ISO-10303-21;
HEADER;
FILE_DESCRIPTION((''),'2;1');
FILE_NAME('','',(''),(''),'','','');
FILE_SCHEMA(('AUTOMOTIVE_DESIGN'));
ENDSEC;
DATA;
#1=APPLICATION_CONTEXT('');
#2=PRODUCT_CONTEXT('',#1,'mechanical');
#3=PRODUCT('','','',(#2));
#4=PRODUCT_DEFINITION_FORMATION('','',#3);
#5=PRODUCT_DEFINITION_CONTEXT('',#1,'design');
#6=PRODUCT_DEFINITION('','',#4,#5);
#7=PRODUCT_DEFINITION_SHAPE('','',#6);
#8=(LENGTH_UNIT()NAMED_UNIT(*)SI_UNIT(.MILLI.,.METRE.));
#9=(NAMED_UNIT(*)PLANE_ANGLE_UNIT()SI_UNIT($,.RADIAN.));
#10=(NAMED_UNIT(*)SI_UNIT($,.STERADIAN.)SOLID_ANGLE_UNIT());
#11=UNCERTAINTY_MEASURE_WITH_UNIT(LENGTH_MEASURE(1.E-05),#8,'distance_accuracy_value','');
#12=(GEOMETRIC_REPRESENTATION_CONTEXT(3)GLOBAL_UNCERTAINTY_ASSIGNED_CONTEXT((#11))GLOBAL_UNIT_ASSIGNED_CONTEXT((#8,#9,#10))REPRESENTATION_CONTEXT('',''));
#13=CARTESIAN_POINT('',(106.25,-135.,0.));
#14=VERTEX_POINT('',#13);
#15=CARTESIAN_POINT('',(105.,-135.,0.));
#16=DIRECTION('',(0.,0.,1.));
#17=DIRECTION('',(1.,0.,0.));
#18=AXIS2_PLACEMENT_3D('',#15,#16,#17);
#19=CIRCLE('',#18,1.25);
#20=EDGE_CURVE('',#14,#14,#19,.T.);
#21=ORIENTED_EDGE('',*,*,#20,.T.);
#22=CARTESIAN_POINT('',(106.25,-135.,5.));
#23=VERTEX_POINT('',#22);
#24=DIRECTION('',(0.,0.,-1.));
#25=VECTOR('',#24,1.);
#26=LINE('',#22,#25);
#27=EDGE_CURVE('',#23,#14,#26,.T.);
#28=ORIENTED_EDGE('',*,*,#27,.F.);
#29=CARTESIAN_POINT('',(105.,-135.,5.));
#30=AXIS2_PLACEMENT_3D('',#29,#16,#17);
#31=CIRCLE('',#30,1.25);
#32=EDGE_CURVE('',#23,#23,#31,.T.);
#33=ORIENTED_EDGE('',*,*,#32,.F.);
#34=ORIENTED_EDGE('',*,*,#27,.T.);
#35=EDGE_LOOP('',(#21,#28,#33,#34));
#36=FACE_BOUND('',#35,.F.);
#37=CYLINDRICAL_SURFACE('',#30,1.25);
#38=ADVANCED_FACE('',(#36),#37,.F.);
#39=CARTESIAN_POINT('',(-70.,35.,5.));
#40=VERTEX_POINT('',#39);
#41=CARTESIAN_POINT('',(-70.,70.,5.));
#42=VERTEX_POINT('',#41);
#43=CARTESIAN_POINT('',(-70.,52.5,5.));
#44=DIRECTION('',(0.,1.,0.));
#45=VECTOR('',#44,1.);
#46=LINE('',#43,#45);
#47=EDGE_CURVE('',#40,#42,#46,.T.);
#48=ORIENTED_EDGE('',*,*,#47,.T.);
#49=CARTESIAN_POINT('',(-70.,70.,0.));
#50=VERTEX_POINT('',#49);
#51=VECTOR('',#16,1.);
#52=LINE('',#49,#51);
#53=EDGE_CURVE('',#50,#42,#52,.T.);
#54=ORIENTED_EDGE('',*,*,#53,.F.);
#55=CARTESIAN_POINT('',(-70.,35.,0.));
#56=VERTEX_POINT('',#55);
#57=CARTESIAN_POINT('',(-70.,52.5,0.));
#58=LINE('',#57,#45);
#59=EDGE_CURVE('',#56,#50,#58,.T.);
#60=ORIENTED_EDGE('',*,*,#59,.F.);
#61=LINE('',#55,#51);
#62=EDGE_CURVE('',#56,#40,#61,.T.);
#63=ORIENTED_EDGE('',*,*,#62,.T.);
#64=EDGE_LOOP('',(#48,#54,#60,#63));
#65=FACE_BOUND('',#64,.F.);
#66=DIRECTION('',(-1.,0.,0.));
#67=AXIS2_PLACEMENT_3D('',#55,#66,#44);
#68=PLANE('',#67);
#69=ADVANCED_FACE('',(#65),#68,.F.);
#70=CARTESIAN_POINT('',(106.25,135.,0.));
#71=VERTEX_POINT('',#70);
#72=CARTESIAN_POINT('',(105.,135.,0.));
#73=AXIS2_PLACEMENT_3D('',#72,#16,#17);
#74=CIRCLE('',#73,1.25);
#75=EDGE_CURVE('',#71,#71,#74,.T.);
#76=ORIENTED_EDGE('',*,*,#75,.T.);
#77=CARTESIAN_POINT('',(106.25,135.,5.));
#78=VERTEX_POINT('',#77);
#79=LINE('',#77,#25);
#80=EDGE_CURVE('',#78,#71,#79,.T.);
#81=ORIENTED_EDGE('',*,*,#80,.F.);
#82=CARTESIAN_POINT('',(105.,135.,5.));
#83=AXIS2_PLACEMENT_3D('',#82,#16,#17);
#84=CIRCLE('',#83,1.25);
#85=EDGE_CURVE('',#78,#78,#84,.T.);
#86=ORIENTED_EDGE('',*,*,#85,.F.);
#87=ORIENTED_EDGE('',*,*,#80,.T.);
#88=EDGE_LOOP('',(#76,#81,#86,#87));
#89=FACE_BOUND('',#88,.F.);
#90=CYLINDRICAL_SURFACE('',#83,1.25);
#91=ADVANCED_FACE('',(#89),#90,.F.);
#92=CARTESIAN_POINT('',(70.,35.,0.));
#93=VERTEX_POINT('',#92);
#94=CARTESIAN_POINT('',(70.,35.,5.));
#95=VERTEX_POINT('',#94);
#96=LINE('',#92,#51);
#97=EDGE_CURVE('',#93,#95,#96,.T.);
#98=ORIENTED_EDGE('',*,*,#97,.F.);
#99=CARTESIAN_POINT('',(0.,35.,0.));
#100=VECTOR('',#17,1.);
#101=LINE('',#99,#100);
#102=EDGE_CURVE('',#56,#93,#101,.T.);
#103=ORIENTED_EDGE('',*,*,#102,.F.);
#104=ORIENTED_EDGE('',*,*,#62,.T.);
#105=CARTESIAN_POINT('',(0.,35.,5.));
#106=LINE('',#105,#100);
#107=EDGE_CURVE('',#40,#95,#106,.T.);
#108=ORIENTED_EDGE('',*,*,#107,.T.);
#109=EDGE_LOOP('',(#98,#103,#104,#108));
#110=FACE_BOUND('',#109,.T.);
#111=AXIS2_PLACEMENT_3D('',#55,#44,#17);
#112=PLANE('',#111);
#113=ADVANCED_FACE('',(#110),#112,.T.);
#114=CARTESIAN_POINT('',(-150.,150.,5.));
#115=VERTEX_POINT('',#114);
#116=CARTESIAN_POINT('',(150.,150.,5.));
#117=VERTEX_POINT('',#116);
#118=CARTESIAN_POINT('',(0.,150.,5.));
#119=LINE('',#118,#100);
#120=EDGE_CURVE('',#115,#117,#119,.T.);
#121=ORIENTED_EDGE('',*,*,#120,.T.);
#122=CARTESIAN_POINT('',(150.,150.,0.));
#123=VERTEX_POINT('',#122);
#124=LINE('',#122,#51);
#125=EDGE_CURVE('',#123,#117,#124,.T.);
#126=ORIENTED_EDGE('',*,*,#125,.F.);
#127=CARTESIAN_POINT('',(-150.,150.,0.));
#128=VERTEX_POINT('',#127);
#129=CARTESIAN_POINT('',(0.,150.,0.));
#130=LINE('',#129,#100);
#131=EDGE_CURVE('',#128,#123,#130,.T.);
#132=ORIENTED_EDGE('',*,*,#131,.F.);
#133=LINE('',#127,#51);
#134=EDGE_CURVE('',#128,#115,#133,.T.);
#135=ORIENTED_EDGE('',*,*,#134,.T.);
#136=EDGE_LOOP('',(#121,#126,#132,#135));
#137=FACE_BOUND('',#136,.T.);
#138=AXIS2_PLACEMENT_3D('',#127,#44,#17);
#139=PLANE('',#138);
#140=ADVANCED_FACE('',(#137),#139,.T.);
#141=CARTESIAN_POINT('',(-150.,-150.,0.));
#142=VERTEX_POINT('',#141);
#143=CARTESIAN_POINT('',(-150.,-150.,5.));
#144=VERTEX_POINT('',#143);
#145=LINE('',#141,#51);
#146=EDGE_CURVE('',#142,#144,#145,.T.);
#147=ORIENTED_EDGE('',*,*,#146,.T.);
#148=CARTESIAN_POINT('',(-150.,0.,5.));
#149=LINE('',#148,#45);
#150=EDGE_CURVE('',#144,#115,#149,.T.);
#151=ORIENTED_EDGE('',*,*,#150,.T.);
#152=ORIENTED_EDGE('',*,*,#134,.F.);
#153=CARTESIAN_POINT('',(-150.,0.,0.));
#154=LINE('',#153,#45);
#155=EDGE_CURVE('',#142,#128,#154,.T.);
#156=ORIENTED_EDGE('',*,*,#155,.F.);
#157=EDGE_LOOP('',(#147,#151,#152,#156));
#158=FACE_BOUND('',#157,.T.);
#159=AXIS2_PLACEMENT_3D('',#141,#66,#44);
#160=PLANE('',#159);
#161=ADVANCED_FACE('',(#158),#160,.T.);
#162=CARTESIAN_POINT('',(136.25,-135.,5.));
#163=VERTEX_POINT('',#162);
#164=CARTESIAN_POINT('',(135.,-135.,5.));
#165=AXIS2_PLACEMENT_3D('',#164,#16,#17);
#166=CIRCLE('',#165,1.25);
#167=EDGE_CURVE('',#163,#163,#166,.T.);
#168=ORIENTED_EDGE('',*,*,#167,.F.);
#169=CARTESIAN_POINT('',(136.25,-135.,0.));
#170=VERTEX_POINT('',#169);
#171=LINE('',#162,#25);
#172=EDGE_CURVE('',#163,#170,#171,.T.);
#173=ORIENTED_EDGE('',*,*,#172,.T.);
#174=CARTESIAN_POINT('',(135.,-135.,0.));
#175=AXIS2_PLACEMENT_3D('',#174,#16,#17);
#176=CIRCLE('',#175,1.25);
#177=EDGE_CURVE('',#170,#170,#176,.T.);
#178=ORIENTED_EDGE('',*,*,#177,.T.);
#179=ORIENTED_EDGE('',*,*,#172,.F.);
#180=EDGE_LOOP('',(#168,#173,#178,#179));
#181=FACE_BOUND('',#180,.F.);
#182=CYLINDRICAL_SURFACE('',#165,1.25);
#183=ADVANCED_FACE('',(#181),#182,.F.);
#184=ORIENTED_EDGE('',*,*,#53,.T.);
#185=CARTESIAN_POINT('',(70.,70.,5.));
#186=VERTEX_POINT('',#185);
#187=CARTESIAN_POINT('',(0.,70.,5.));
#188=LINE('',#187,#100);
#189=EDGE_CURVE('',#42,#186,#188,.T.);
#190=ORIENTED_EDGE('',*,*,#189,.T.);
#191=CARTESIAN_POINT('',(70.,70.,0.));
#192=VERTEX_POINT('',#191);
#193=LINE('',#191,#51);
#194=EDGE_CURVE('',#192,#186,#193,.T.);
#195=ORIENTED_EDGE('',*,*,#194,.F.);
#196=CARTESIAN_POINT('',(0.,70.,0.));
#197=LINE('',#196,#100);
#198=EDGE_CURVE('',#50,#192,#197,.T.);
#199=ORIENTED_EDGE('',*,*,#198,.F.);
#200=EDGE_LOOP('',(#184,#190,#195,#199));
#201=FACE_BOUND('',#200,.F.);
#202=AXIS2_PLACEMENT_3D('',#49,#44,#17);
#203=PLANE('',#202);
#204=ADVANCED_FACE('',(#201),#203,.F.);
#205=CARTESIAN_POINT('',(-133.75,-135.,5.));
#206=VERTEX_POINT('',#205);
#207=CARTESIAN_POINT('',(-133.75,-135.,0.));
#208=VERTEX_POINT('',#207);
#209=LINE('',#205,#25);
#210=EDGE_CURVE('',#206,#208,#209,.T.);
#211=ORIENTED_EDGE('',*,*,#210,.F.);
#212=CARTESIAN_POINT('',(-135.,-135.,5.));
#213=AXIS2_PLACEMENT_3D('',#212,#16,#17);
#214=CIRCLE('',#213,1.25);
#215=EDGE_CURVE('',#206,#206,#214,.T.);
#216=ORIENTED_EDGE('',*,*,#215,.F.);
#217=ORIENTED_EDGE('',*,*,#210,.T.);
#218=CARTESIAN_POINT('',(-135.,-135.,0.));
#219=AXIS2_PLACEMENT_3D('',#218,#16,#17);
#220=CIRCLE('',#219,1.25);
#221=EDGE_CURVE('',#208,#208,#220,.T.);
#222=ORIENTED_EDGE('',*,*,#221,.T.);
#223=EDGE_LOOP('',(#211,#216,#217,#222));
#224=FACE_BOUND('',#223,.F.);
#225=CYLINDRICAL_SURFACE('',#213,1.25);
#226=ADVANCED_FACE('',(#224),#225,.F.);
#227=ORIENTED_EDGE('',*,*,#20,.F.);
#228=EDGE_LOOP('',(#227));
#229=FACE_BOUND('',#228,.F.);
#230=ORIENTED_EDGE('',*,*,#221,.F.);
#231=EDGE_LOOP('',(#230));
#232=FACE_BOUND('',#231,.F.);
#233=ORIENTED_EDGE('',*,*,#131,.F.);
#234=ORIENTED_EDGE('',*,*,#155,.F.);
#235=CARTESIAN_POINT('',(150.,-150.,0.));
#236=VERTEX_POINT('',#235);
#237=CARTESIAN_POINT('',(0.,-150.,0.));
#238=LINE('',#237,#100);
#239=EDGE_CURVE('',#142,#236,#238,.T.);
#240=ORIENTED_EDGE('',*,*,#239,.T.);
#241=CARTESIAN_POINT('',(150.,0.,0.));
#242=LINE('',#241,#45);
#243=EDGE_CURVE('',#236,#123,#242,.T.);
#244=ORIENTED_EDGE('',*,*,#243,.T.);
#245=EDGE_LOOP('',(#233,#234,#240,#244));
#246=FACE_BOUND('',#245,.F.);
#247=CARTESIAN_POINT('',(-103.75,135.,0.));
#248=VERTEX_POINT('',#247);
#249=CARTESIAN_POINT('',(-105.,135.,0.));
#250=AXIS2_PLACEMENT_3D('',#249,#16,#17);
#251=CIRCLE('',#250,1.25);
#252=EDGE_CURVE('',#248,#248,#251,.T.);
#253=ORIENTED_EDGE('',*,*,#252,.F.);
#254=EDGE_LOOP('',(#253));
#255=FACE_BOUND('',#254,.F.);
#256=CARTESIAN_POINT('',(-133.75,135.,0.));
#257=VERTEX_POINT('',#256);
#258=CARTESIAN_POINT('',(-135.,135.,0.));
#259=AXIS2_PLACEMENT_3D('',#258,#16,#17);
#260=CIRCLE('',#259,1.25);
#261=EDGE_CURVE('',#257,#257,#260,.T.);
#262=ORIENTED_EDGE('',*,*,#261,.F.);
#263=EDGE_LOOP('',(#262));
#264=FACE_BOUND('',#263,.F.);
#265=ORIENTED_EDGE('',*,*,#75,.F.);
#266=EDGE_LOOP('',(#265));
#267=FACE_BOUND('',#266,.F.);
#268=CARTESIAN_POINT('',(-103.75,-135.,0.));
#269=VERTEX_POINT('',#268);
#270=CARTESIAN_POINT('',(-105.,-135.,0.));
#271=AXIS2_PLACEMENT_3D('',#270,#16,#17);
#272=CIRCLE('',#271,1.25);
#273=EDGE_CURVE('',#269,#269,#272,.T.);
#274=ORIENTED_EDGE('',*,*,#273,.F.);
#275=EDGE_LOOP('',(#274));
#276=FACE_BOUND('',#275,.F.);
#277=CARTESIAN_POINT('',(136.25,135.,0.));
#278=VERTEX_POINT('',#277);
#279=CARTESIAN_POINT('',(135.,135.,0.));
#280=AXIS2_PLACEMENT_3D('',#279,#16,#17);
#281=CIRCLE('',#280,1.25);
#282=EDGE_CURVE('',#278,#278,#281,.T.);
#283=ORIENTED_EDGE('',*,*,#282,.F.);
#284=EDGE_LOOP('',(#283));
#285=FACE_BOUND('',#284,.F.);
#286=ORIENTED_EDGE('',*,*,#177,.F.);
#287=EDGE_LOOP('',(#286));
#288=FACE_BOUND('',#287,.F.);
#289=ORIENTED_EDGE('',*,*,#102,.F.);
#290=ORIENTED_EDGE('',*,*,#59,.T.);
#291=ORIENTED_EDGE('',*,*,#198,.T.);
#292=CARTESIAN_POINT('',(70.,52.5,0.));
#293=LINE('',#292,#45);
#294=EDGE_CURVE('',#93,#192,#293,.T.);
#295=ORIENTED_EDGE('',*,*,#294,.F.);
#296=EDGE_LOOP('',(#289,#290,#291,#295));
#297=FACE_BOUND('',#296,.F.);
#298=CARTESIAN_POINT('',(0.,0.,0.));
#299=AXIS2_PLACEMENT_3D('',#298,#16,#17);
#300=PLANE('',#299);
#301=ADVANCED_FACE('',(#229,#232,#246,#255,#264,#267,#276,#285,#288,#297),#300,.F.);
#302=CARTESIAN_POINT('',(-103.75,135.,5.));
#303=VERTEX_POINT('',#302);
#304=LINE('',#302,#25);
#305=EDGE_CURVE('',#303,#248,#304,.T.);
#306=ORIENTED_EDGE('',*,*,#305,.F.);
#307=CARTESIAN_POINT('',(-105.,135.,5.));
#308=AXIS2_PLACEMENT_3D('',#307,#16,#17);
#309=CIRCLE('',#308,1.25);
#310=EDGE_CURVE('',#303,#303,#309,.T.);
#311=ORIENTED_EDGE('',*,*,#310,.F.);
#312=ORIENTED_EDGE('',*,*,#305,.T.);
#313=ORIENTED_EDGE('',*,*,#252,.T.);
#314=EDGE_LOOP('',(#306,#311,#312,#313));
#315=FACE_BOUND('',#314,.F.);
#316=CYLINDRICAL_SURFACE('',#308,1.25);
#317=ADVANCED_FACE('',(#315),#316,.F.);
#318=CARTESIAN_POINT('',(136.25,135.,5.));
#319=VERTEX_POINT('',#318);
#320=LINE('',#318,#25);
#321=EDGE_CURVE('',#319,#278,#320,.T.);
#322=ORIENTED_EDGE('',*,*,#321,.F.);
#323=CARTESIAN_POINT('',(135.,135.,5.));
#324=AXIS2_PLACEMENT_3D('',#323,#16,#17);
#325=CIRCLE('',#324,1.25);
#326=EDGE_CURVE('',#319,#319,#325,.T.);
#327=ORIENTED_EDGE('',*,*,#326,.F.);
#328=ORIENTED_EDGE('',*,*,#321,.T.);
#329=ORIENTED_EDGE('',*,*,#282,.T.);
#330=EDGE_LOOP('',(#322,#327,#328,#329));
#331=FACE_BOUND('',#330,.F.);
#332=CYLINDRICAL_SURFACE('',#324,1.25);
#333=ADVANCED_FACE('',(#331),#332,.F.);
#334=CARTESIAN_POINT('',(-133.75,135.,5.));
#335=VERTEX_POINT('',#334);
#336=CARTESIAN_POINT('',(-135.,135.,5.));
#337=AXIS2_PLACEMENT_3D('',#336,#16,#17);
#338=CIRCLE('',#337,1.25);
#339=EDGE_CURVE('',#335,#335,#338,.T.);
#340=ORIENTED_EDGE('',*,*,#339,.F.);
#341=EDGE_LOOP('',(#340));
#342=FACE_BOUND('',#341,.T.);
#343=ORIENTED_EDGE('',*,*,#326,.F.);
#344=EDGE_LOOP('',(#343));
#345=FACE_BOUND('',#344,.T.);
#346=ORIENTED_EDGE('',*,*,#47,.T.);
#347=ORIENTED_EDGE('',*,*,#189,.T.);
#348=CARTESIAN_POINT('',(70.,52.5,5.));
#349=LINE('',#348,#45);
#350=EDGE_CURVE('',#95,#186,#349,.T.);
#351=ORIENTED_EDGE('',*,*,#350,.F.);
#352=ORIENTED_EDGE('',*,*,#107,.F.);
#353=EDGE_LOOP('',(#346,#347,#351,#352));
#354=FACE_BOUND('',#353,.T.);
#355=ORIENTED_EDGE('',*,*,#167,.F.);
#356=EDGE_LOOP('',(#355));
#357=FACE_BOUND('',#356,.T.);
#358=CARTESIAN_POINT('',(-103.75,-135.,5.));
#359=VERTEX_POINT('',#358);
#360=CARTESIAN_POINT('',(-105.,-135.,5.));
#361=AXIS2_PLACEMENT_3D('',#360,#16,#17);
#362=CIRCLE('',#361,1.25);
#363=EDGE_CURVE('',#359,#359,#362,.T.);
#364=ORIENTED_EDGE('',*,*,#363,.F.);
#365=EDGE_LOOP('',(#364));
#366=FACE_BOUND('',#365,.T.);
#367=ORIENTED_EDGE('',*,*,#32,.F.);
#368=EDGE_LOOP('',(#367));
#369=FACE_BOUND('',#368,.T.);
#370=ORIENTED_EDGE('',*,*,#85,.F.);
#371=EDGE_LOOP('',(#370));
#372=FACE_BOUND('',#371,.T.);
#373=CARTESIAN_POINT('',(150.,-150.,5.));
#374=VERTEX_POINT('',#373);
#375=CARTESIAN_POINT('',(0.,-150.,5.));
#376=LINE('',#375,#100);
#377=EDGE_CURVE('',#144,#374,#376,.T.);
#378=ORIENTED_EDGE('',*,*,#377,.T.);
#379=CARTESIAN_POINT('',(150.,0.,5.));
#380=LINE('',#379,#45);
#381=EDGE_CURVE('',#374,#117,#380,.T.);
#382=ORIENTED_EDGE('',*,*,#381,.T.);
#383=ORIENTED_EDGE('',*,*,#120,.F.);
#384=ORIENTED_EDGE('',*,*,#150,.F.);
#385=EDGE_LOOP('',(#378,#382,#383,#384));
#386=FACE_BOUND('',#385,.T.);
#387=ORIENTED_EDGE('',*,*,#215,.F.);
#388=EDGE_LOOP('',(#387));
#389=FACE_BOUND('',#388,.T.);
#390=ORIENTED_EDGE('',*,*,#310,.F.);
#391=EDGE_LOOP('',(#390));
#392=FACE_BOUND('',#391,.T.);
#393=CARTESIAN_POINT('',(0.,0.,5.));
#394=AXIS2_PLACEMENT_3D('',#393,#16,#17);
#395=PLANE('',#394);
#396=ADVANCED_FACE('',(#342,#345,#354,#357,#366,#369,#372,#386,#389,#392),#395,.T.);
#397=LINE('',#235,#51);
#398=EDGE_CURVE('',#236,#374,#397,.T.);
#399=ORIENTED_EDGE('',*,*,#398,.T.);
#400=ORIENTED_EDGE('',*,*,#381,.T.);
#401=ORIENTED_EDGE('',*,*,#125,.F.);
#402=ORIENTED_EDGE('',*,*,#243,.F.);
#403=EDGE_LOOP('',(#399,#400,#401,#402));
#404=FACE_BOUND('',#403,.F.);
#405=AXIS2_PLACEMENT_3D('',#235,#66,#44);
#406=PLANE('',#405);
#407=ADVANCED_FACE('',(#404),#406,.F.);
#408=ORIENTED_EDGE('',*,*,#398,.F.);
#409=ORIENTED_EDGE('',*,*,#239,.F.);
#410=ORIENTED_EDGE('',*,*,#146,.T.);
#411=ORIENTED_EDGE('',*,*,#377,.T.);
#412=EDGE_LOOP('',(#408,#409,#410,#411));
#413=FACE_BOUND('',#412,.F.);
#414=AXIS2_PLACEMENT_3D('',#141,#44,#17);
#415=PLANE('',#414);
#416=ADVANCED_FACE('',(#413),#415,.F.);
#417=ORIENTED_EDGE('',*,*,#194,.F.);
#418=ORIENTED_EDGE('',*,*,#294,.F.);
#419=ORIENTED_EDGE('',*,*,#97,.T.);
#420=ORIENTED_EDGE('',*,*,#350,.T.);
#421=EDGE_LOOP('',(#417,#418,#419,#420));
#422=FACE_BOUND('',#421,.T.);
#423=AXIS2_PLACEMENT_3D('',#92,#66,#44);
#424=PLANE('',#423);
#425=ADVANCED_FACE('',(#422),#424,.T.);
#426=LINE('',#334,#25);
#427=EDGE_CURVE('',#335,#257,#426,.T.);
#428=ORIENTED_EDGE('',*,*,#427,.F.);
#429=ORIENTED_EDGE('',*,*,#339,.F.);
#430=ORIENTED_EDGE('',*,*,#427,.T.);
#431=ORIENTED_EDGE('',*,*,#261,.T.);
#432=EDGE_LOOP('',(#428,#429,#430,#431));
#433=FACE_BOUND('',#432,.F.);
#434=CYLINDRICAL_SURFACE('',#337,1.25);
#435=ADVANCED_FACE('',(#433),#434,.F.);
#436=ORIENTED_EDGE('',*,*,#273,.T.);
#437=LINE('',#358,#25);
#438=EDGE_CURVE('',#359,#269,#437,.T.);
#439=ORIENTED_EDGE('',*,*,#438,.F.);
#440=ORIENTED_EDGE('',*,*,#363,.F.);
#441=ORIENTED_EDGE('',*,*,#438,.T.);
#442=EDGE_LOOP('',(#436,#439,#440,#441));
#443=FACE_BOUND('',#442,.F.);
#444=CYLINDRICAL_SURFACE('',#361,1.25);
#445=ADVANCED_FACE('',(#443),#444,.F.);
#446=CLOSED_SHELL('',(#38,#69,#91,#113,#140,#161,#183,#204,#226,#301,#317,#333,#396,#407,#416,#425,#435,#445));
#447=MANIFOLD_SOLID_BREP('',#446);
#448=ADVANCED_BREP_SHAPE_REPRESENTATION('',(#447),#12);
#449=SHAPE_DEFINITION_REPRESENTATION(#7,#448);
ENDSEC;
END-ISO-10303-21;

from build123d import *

# Parameters (mm, degrees)
F0_W     = 300
F0_H     = 300
F0_W_2   = 140
F0_H_2   = 35
F1_DEPTH = 5
F2_R     = 1.25
F3_DEPTH = 5.001


with BuildPart() as f1:
    # F0 (on Top) → F1 (new body)
    with BuildSketch(Plane.XY):
        Rectangle(F0_W, F0_H)
        with Locations((0, 52.5)):
            Rectangle(F0_W_2, F0_H_2, mode=Mode.SUBTRACT)
    extrude(amount=F1_DEPTH)

    # F2 (on face) → F3 (cut, through all)
    with BuildSketch(Plane.XY.offset(5)):
        with Locations((-135, 135)):
            Circle(F2_R)
        with Locations((135, 135)):
            Circle(F2_R)
        with Locations((-135, -135)):
            Circle(F2_R)
        with Locations((135, -135)):
            Circle(F2_R)
        with Locations((-105, -135)):
            Circle(F2_R)
        with Locations((105, -135)):
            Circle(F2_R)
        with Locations((105, 135)):
            Circle(F2_R)
        with Locations((-105, 135)):
            Circle(F2_R)
    extrude(amount=-F3_DEPTH, mode=Mode.SUBTRACT)


solid = f1.part
